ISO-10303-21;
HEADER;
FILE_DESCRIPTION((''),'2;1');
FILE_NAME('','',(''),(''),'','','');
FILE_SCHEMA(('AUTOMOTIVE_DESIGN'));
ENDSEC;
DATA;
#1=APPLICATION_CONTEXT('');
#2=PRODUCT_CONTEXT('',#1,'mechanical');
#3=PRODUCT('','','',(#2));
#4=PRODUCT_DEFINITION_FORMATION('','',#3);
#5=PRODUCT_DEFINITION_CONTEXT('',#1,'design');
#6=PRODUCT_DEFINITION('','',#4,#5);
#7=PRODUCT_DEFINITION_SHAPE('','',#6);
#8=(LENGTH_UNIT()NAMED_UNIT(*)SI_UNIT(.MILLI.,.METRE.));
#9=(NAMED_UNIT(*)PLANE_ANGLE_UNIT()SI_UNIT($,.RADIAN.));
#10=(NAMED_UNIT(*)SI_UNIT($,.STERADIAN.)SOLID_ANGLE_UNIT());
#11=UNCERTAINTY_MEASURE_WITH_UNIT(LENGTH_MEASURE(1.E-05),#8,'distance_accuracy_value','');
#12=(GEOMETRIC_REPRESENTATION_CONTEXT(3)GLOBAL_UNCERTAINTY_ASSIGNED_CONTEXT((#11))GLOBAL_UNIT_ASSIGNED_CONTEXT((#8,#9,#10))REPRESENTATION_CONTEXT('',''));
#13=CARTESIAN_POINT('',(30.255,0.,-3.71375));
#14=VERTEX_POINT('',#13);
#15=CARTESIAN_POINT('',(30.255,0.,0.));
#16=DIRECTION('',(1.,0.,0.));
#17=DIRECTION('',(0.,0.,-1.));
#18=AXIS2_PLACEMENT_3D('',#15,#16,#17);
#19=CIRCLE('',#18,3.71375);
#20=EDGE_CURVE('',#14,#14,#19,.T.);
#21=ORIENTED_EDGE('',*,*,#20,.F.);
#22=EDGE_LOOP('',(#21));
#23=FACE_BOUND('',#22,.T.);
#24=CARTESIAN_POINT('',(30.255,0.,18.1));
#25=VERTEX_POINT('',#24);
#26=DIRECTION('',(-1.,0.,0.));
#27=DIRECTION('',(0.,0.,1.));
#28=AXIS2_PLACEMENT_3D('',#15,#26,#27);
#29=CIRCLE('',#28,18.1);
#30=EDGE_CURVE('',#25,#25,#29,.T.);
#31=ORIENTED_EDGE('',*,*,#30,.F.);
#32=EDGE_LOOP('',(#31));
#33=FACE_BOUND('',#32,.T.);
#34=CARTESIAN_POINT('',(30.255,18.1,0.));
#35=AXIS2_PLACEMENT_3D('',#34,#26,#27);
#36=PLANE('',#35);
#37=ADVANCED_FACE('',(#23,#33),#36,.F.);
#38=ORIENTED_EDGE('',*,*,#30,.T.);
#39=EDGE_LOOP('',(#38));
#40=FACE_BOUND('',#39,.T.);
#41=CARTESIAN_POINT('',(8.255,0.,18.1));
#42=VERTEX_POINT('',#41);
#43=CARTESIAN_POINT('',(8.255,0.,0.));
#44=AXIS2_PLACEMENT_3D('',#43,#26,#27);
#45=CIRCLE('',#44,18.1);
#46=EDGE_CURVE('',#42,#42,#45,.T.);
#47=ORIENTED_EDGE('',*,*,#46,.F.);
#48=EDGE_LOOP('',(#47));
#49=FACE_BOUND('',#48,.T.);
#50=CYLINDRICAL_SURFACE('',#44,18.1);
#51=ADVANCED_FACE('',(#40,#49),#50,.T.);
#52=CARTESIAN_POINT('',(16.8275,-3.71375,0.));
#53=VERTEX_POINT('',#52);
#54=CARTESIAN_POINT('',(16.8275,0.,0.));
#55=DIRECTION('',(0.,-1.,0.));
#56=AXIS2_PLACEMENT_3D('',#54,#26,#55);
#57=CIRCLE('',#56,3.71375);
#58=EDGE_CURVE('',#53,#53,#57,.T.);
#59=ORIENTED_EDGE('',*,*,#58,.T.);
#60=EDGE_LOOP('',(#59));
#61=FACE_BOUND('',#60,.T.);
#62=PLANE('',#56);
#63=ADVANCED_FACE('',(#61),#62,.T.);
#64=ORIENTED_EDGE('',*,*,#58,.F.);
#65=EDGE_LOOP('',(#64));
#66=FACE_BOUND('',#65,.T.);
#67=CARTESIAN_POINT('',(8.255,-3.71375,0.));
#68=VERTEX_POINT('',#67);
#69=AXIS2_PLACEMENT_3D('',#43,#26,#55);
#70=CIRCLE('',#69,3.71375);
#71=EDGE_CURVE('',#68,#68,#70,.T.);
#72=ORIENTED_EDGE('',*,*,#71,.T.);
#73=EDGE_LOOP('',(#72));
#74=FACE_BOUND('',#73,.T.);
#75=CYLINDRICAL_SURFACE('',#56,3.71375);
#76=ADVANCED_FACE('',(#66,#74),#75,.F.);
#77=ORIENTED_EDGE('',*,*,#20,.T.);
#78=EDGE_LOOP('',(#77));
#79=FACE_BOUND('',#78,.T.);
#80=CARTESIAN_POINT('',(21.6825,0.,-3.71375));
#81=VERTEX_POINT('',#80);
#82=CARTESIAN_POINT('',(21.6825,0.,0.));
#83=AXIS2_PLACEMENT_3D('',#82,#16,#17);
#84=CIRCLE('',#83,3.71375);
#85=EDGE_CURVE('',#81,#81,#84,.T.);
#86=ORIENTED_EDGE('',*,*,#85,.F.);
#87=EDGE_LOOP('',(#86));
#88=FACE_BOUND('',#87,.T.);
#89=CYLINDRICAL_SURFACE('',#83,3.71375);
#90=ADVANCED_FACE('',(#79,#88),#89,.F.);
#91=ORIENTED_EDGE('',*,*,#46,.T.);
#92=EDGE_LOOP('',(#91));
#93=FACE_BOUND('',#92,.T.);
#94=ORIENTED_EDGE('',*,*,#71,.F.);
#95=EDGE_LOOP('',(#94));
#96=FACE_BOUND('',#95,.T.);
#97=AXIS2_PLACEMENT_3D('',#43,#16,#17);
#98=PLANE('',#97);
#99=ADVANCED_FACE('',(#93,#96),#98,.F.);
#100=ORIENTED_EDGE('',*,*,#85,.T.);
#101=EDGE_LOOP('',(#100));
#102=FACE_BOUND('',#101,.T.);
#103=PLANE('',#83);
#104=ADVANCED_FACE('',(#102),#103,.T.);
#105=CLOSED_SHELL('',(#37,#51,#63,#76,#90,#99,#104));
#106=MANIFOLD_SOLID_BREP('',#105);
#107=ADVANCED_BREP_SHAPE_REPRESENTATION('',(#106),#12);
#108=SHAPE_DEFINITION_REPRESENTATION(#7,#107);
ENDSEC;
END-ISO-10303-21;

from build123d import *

# Parameters (mm, degrees)
SKETCH1_W          = 22
SKETCH1_H          = 18.1
SKETCH2_R          = 3.71375
CUT_EXTRUDE1_DEPTH = 8.5725
SKETCH4_R          = 3.71375
CUT_EXTRUDE2_DEPTH = 8.5725


with BuildPart() as part:
    # Sketch1 → Revolve1 (revolve)
    with BuildSketch(Plane.XY):
        with Locations((19.255, 9.05)):
            Rectangle(SKETCH1_W, SKETCH1_H)
    revolve(axis=Axis((8.255, 0, 0), (1, 0, 0)))

    # Sketch2 → Cut-Extrude1 (cut)
    with BuildSketch(Plane.ZY.offset(-8.255)):
        Circle(SKETCH2_R)
    extrude(amount=-CUT_EXTRUDE1_DEPTH, mode=Mode.SUBTRACT)

    # Sketch4 → Cut-Extrude2 (cut)
    with BuildSketch(Plane(origin=(30.255, 0, 0), x_dir=(0, 0, -1), z_dir=(1, 0, 0))):
        Circle(SKETCH4_R)
    extrude(amount=-CUT_EXTRUDE2_DEPTH, mode=Mode.SUBTRACT)


solid = part.part
